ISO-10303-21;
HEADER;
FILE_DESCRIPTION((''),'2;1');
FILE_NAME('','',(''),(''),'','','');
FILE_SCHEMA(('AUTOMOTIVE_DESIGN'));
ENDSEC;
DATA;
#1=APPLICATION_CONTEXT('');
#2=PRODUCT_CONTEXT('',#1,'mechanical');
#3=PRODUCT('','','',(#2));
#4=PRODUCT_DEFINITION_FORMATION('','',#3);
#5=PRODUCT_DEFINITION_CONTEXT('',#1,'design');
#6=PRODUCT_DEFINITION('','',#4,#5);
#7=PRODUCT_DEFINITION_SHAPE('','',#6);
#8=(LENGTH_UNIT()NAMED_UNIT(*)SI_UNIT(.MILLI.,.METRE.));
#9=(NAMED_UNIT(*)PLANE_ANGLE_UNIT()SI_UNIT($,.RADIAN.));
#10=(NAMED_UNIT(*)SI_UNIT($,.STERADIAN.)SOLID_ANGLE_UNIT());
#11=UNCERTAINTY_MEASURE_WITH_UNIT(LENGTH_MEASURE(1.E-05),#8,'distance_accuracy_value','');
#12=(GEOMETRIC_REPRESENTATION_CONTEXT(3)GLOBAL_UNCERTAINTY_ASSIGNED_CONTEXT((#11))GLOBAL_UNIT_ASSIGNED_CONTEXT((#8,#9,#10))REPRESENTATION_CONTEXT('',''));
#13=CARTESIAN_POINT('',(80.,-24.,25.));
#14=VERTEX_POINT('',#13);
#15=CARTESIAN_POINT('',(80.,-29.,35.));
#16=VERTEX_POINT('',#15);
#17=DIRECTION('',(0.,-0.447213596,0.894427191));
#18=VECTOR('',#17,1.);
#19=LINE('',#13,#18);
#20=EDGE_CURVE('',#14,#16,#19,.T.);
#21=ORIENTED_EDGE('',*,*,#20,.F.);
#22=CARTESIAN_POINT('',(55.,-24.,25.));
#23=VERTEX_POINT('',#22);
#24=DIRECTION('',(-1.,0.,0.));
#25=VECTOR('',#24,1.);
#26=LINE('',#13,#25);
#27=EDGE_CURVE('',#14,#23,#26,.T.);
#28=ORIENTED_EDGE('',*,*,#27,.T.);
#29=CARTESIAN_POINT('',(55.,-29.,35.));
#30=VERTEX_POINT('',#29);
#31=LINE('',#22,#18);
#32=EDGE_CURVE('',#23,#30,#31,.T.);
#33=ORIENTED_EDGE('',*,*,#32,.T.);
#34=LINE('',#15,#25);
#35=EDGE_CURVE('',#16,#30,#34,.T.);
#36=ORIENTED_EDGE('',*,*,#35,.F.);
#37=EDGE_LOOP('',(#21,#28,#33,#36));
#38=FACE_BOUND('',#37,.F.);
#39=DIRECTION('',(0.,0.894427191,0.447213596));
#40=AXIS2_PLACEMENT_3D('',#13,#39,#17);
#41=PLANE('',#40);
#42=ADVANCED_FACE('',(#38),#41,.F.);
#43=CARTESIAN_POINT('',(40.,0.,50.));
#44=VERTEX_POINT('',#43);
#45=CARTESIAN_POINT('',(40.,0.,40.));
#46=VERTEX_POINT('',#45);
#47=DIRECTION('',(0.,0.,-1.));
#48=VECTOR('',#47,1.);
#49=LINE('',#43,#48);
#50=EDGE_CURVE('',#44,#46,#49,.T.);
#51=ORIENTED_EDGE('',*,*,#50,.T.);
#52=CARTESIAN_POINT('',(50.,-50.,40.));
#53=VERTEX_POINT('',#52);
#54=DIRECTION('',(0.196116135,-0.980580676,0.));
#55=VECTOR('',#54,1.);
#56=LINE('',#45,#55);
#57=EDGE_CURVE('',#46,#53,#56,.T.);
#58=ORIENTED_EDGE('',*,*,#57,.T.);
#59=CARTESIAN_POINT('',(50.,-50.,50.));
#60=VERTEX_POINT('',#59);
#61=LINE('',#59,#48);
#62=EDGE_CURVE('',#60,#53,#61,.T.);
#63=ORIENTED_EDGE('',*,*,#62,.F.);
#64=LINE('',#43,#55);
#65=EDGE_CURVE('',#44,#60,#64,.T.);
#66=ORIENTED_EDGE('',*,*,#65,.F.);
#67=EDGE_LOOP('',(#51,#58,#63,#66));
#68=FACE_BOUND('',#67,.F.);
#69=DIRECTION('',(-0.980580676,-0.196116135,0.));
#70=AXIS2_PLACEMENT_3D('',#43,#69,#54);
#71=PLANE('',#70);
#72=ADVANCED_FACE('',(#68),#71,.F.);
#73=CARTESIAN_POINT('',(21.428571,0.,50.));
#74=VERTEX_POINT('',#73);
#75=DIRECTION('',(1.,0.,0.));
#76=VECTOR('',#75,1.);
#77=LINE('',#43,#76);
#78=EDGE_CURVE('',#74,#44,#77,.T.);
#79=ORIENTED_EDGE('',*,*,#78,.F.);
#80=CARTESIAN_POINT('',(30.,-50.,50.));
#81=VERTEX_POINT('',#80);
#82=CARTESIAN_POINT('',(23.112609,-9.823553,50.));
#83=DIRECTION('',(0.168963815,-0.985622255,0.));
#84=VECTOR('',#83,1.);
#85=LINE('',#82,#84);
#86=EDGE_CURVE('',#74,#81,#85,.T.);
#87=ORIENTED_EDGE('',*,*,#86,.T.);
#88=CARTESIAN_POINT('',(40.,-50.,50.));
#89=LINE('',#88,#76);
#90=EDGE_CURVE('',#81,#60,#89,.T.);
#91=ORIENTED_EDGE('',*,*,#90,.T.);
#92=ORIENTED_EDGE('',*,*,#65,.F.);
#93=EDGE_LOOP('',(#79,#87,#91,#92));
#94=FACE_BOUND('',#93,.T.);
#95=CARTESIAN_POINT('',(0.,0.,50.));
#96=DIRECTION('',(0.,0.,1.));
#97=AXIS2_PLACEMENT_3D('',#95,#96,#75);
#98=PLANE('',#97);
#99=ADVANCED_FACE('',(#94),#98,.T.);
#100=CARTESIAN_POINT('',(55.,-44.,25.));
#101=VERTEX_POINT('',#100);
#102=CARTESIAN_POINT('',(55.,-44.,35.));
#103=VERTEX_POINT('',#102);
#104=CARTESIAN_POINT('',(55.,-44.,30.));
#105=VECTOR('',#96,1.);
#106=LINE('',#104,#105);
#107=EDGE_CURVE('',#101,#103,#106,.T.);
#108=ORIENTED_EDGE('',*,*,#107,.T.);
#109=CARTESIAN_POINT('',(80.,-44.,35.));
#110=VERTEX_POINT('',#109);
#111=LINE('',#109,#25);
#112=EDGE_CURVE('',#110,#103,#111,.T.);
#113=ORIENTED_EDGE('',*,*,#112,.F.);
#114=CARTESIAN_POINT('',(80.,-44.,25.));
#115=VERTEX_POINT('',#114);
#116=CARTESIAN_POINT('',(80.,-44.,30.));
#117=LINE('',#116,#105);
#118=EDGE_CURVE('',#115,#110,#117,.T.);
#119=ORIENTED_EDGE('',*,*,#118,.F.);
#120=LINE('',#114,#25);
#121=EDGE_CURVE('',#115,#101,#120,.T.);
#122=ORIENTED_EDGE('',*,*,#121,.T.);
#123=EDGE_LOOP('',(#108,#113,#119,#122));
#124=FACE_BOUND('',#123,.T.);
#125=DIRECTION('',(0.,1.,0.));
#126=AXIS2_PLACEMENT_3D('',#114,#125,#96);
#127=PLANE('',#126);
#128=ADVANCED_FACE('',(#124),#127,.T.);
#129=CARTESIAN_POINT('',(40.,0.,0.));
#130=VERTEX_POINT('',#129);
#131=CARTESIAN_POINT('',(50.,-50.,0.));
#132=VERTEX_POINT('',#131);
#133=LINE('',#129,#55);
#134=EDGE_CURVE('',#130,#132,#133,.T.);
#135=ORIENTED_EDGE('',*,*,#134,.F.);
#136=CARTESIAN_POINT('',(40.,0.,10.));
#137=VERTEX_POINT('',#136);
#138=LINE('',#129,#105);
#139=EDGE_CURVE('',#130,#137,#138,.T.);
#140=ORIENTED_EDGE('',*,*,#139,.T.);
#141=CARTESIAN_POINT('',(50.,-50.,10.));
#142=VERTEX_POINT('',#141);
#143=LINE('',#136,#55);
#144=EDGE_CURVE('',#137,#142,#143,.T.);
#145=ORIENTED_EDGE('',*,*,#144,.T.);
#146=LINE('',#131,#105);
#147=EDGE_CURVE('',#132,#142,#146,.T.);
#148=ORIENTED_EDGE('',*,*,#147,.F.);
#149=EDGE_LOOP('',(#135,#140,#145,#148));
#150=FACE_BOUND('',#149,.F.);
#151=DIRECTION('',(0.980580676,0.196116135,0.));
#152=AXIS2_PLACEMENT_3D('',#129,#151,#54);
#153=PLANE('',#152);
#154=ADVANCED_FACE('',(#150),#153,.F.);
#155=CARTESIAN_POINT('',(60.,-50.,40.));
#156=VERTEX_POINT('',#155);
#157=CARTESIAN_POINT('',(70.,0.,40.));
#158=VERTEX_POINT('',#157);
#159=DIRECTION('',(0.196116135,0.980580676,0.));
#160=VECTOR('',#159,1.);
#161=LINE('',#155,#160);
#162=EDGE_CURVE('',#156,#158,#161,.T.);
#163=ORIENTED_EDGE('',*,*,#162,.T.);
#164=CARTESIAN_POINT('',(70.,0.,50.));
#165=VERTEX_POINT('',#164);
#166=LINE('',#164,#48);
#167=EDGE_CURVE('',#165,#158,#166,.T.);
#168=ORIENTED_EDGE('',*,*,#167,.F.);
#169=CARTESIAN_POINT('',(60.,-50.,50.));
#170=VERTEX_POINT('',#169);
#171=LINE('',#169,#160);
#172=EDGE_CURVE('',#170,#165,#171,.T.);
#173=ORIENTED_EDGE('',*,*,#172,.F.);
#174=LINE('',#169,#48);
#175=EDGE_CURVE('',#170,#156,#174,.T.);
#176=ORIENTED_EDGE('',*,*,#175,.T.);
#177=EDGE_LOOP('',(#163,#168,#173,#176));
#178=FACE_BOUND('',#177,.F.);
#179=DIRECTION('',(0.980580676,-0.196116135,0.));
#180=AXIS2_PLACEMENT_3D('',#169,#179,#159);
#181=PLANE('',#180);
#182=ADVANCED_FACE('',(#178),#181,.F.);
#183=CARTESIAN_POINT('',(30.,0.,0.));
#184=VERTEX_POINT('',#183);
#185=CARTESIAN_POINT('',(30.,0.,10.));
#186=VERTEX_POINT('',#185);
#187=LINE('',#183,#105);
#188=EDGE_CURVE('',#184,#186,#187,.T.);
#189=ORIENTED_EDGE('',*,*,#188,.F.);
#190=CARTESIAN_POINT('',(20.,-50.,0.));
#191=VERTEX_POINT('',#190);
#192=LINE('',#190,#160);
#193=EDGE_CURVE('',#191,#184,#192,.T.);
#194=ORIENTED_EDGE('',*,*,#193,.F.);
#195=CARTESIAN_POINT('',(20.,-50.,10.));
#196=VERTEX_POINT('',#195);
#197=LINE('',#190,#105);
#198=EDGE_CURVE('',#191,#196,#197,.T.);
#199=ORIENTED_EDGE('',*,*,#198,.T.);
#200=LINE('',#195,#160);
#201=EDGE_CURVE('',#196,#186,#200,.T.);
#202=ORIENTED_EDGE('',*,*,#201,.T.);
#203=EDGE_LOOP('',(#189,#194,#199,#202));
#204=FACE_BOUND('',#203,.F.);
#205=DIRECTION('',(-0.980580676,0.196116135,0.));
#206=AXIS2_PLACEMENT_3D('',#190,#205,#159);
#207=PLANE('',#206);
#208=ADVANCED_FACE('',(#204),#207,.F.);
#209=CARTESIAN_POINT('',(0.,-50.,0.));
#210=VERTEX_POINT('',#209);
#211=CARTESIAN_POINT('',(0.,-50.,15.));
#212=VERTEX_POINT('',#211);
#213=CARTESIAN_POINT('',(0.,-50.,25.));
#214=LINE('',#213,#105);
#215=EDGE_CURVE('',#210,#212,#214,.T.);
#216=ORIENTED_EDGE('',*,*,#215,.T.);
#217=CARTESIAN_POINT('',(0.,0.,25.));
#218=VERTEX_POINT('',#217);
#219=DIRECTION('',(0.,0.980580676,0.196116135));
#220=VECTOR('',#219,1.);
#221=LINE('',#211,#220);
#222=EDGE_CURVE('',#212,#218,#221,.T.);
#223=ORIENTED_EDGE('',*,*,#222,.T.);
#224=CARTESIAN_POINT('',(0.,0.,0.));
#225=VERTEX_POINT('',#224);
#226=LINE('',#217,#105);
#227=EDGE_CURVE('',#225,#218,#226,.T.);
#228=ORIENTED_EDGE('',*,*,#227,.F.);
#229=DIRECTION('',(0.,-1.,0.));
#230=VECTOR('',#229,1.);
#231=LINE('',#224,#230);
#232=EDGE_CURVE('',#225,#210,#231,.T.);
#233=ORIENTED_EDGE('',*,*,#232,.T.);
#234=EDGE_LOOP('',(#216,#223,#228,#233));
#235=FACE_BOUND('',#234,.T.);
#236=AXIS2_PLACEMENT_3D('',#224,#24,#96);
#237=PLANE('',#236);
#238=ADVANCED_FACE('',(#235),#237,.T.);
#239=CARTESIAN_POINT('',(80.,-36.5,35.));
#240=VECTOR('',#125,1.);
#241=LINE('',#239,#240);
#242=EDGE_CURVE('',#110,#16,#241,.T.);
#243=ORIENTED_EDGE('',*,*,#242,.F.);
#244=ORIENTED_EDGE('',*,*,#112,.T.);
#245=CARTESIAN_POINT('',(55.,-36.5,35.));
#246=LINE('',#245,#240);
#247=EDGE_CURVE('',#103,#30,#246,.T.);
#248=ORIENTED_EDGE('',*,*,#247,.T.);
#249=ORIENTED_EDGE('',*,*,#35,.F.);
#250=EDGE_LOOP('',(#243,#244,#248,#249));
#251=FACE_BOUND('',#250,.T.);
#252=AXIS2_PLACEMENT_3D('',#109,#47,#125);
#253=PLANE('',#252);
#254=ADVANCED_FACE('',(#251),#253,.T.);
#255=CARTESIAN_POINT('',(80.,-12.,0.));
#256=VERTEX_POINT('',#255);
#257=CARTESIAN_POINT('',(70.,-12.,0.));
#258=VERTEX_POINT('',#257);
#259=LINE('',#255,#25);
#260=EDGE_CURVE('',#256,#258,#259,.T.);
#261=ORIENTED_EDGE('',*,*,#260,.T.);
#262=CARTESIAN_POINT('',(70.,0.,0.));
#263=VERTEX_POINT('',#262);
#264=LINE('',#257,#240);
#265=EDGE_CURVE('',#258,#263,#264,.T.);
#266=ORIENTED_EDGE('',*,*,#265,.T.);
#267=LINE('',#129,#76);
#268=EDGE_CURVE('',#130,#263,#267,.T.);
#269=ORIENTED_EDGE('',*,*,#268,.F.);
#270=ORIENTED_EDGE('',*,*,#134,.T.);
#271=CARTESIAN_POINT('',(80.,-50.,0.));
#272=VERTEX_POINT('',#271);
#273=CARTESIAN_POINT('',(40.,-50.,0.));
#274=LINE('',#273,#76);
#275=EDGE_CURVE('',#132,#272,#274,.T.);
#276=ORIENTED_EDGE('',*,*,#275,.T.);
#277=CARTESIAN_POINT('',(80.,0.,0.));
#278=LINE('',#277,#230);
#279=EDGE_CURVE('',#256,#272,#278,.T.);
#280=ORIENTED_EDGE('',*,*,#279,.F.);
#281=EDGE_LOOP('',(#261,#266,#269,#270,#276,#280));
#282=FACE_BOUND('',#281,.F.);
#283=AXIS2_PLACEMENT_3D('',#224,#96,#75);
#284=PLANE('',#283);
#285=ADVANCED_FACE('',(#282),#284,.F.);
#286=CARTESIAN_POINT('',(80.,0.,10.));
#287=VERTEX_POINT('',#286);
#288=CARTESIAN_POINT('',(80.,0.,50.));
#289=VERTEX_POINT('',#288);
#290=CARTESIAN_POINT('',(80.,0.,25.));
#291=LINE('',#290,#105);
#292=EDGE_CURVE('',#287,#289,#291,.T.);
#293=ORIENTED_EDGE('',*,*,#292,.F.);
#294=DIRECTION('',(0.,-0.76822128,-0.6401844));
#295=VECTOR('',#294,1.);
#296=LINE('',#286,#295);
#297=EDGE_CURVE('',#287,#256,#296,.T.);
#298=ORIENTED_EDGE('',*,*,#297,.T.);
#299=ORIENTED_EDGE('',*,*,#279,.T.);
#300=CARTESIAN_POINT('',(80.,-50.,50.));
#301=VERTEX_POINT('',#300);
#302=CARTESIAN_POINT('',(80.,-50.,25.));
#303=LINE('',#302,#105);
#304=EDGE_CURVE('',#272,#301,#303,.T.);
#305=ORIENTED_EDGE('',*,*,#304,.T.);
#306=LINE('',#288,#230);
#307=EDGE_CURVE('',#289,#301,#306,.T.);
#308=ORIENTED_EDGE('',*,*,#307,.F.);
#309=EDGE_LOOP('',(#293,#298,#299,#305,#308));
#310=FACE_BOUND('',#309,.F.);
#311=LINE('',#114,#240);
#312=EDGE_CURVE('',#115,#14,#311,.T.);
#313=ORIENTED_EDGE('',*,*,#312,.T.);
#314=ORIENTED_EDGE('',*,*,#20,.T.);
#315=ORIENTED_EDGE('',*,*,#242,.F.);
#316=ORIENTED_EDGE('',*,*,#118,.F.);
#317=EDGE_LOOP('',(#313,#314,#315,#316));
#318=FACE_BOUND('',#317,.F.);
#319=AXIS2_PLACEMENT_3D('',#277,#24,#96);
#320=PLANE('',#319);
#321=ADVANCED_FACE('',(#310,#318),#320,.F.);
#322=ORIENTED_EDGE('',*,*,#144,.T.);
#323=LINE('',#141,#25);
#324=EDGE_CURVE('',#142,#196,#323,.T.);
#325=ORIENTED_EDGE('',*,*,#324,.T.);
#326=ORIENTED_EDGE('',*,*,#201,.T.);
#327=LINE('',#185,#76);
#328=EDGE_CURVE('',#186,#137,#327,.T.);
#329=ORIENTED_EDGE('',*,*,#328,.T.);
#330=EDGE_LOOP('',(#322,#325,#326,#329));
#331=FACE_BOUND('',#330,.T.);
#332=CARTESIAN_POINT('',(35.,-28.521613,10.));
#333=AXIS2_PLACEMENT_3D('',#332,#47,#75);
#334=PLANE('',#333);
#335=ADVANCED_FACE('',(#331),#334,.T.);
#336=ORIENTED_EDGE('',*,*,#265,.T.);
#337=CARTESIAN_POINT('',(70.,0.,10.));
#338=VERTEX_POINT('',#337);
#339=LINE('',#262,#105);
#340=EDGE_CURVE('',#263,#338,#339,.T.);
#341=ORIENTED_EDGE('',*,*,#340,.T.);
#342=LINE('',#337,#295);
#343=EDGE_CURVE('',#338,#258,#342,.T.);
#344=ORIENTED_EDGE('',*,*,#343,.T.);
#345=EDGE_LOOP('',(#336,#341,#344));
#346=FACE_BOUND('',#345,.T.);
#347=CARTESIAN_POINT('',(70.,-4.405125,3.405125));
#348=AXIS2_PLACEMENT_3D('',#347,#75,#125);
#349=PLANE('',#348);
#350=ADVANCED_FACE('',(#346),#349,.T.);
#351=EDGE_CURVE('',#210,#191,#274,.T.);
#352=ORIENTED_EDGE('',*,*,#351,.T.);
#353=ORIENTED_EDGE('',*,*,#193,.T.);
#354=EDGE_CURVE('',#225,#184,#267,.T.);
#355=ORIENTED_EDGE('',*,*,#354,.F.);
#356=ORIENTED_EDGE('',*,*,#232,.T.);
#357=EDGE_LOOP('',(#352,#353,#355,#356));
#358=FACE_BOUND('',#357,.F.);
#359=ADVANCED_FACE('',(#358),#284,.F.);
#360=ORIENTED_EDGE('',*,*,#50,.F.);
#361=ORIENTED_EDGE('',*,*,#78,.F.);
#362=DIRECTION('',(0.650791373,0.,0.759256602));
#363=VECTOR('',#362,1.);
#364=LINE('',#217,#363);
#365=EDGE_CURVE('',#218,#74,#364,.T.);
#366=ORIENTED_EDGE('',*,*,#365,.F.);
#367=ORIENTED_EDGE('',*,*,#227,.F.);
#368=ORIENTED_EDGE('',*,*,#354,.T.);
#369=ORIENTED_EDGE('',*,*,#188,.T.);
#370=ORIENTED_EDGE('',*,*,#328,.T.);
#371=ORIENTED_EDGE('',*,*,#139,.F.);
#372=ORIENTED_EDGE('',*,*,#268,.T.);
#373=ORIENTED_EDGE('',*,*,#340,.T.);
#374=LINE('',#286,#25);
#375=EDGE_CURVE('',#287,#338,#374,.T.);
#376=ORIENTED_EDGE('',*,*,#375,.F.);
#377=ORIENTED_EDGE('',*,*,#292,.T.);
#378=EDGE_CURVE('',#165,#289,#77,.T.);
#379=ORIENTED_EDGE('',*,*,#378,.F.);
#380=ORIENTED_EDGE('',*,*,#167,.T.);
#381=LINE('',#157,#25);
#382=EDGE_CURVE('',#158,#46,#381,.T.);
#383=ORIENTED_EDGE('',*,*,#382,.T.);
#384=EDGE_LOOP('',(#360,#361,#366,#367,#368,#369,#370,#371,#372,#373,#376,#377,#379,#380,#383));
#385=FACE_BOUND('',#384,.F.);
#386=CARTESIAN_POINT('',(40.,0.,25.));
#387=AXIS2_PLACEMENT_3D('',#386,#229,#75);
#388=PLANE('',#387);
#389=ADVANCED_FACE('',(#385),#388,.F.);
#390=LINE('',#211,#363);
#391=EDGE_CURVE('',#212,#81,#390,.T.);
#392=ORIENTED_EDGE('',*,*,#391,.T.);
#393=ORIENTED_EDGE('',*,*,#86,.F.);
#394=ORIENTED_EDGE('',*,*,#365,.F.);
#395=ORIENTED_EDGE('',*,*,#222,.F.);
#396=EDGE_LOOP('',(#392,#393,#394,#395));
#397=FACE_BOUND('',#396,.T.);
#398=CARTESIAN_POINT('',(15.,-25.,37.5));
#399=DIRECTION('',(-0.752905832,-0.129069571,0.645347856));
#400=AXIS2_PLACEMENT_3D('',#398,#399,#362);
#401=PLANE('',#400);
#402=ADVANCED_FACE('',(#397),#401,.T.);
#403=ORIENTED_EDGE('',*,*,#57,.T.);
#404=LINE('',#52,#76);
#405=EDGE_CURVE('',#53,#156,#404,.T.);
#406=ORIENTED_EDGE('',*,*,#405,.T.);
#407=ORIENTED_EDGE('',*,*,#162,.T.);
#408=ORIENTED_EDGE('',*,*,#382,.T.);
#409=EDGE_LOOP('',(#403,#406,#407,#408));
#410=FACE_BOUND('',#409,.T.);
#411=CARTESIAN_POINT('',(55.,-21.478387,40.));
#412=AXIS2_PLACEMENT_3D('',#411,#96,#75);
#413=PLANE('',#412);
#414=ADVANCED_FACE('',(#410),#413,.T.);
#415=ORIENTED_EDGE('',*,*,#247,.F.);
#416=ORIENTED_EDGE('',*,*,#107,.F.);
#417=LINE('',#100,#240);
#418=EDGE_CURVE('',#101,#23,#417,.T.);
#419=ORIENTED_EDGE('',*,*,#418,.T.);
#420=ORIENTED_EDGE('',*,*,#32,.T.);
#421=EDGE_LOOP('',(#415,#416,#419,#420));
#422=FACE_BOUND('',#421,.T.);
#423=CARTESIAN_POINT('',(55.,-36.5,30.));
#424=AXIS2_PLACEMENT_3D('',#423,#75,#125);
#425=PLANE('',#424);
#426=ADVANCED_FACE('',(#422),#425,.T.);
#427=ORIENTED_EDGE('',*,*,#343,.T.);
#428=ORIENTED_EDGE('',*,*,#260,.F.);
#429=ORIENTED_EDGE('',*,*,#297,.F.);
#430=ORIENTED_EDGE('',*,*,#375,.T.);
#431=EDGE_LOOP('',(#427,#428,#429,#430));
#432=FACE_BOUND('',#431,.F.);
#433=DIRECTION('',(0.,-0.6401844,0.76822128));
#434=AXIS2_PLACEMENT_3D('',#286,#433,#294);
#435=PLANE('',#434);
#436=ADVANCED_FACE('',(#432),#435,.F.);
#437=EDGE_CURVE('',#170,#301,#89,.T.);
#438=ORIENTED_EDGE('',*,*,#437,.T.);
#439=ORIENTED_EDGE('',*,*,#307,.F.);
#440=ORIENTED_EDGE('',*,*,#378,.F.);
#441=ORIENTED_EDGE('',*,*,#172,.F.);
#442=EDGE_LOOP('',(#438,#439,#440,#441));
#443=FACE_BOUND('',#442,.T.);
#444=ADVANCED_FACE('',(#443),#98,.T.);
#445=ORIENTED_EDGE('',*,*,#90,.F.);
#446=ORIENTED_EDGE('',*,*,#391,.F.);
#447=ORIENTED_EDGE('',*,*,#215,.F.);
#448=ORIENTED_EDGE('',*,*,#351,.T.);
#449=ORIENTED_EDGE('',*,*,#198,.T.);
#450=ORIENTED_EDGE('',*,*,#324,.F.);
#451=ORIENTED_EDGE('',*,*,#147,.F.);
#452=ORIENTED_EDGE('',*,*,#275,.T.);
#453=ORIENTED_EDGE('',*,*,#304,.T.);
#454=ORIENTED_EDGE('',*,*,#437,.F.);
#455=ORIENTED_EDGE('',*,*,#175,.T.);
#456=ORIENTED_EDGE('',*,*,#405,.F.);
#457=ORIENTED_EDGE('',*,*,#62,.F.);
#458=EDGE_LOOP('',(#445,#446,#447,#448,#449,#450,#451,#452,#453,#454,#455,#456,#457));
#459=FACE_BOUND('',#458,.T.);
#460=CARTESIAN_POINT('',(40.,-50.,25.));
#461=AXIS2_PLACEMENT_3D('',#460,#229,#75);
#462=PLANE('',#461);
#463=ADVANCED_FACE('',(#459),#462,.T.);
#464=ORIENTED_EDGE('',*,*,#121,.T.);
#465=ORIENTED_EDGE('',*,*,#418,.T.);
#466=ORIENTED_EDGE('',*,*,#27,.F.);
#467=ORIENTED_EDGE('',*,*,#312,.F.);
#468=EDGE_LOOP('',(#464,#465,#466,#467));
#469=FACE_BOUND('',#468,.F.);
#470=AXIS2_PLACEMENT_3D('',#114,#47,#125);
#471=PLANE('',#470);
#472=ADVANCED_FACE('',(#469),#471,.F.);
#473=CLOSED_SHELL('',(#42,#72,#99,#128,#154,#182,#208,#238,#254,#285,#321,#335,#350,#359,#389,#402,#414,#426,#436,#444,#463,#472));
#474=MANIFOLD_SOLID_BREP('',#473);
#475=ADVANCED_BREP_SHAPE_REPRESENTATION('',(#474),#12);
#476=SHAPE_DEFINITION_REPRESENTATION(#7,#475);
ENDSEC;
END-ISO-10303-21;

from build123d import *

# Parameters (mm, degrees)
F0_W     = 80
F0_H     = 50
F1_DEPTH = 50
F4_DEPTH = 10
F5_W     = 15
F5_H     = 10
F6_DEPTH = 25
F7_DEPTH = 10
F9_DEPTH = 10


with BuildPart() as f1:
    # F0 (on Front) → F1 (new body)
    with BuildSketch(Plane.XZ):
        with Locations((40, 25)):
            Rectangle(F0_W, F0_H)
    extrude(amount=F1_DEPTH)

    # F2 (on face) → F4 (cut)
    with BuildSketch(Plane.XY.offset(50)):
        Polygon((70, 0), (40, 0), (50, -50), (60, -50), align=None)
    extrude(amount=-F4_DEPTH, mode=Mode.SUBTRACT)

    # F5 (on face) → F6 (cut)
    with BuildSketch(Plane.YZ.offset(80)):
        with Locations((-36.5, 30)):
            Rectangle(F5_W, F5_H)
        Polygon((-29, 35), (-29, 25), (-24, 25), align=None)
    extrude(amount=-F6_DEPTH, mode=Mode.SUBTRACT)

    # F5 (on face) → F7 (cut)
    with BuildSketch(Plane.YZ.offset(80)):
        Polygon((0, 10), (-12, 0), (0, 0), align=None)
    extrude(amount=-F7_DEPTH, mode=Mode.SUBTRACT)

    # F8 (on face) → F9 (cut)
    with BuildSketch(Plane(origin=(0, 0, 0), x_dir=(1, 0, 0), z_dir=(0, 0, -1))):
        Polygon((20, 50), (30, 0), (40, 0), (50, 50), align=None)
    extrude(amount=-F9_DEPTH, mode=Mode.SUBTRACT)

    # F12: sweep along a path in F3
    with BuildLine(Plane(origin=(0, 0, 0), x_dir=(0, -1, 0), z_dir=(-1, 0, 0))) as f12_path:
        Line((50, 15), (0, 25))
    # F11 (on face) → F12 (sweep, cut)
    with BuildSketch(Plane.XZ.offset(50)):
        Polygon((0, 15), (30, 50), (0, 50), align=None)
    sweep(path=f12_path.line, mode=Mode.SUBTRACT)


solid = f1.part
